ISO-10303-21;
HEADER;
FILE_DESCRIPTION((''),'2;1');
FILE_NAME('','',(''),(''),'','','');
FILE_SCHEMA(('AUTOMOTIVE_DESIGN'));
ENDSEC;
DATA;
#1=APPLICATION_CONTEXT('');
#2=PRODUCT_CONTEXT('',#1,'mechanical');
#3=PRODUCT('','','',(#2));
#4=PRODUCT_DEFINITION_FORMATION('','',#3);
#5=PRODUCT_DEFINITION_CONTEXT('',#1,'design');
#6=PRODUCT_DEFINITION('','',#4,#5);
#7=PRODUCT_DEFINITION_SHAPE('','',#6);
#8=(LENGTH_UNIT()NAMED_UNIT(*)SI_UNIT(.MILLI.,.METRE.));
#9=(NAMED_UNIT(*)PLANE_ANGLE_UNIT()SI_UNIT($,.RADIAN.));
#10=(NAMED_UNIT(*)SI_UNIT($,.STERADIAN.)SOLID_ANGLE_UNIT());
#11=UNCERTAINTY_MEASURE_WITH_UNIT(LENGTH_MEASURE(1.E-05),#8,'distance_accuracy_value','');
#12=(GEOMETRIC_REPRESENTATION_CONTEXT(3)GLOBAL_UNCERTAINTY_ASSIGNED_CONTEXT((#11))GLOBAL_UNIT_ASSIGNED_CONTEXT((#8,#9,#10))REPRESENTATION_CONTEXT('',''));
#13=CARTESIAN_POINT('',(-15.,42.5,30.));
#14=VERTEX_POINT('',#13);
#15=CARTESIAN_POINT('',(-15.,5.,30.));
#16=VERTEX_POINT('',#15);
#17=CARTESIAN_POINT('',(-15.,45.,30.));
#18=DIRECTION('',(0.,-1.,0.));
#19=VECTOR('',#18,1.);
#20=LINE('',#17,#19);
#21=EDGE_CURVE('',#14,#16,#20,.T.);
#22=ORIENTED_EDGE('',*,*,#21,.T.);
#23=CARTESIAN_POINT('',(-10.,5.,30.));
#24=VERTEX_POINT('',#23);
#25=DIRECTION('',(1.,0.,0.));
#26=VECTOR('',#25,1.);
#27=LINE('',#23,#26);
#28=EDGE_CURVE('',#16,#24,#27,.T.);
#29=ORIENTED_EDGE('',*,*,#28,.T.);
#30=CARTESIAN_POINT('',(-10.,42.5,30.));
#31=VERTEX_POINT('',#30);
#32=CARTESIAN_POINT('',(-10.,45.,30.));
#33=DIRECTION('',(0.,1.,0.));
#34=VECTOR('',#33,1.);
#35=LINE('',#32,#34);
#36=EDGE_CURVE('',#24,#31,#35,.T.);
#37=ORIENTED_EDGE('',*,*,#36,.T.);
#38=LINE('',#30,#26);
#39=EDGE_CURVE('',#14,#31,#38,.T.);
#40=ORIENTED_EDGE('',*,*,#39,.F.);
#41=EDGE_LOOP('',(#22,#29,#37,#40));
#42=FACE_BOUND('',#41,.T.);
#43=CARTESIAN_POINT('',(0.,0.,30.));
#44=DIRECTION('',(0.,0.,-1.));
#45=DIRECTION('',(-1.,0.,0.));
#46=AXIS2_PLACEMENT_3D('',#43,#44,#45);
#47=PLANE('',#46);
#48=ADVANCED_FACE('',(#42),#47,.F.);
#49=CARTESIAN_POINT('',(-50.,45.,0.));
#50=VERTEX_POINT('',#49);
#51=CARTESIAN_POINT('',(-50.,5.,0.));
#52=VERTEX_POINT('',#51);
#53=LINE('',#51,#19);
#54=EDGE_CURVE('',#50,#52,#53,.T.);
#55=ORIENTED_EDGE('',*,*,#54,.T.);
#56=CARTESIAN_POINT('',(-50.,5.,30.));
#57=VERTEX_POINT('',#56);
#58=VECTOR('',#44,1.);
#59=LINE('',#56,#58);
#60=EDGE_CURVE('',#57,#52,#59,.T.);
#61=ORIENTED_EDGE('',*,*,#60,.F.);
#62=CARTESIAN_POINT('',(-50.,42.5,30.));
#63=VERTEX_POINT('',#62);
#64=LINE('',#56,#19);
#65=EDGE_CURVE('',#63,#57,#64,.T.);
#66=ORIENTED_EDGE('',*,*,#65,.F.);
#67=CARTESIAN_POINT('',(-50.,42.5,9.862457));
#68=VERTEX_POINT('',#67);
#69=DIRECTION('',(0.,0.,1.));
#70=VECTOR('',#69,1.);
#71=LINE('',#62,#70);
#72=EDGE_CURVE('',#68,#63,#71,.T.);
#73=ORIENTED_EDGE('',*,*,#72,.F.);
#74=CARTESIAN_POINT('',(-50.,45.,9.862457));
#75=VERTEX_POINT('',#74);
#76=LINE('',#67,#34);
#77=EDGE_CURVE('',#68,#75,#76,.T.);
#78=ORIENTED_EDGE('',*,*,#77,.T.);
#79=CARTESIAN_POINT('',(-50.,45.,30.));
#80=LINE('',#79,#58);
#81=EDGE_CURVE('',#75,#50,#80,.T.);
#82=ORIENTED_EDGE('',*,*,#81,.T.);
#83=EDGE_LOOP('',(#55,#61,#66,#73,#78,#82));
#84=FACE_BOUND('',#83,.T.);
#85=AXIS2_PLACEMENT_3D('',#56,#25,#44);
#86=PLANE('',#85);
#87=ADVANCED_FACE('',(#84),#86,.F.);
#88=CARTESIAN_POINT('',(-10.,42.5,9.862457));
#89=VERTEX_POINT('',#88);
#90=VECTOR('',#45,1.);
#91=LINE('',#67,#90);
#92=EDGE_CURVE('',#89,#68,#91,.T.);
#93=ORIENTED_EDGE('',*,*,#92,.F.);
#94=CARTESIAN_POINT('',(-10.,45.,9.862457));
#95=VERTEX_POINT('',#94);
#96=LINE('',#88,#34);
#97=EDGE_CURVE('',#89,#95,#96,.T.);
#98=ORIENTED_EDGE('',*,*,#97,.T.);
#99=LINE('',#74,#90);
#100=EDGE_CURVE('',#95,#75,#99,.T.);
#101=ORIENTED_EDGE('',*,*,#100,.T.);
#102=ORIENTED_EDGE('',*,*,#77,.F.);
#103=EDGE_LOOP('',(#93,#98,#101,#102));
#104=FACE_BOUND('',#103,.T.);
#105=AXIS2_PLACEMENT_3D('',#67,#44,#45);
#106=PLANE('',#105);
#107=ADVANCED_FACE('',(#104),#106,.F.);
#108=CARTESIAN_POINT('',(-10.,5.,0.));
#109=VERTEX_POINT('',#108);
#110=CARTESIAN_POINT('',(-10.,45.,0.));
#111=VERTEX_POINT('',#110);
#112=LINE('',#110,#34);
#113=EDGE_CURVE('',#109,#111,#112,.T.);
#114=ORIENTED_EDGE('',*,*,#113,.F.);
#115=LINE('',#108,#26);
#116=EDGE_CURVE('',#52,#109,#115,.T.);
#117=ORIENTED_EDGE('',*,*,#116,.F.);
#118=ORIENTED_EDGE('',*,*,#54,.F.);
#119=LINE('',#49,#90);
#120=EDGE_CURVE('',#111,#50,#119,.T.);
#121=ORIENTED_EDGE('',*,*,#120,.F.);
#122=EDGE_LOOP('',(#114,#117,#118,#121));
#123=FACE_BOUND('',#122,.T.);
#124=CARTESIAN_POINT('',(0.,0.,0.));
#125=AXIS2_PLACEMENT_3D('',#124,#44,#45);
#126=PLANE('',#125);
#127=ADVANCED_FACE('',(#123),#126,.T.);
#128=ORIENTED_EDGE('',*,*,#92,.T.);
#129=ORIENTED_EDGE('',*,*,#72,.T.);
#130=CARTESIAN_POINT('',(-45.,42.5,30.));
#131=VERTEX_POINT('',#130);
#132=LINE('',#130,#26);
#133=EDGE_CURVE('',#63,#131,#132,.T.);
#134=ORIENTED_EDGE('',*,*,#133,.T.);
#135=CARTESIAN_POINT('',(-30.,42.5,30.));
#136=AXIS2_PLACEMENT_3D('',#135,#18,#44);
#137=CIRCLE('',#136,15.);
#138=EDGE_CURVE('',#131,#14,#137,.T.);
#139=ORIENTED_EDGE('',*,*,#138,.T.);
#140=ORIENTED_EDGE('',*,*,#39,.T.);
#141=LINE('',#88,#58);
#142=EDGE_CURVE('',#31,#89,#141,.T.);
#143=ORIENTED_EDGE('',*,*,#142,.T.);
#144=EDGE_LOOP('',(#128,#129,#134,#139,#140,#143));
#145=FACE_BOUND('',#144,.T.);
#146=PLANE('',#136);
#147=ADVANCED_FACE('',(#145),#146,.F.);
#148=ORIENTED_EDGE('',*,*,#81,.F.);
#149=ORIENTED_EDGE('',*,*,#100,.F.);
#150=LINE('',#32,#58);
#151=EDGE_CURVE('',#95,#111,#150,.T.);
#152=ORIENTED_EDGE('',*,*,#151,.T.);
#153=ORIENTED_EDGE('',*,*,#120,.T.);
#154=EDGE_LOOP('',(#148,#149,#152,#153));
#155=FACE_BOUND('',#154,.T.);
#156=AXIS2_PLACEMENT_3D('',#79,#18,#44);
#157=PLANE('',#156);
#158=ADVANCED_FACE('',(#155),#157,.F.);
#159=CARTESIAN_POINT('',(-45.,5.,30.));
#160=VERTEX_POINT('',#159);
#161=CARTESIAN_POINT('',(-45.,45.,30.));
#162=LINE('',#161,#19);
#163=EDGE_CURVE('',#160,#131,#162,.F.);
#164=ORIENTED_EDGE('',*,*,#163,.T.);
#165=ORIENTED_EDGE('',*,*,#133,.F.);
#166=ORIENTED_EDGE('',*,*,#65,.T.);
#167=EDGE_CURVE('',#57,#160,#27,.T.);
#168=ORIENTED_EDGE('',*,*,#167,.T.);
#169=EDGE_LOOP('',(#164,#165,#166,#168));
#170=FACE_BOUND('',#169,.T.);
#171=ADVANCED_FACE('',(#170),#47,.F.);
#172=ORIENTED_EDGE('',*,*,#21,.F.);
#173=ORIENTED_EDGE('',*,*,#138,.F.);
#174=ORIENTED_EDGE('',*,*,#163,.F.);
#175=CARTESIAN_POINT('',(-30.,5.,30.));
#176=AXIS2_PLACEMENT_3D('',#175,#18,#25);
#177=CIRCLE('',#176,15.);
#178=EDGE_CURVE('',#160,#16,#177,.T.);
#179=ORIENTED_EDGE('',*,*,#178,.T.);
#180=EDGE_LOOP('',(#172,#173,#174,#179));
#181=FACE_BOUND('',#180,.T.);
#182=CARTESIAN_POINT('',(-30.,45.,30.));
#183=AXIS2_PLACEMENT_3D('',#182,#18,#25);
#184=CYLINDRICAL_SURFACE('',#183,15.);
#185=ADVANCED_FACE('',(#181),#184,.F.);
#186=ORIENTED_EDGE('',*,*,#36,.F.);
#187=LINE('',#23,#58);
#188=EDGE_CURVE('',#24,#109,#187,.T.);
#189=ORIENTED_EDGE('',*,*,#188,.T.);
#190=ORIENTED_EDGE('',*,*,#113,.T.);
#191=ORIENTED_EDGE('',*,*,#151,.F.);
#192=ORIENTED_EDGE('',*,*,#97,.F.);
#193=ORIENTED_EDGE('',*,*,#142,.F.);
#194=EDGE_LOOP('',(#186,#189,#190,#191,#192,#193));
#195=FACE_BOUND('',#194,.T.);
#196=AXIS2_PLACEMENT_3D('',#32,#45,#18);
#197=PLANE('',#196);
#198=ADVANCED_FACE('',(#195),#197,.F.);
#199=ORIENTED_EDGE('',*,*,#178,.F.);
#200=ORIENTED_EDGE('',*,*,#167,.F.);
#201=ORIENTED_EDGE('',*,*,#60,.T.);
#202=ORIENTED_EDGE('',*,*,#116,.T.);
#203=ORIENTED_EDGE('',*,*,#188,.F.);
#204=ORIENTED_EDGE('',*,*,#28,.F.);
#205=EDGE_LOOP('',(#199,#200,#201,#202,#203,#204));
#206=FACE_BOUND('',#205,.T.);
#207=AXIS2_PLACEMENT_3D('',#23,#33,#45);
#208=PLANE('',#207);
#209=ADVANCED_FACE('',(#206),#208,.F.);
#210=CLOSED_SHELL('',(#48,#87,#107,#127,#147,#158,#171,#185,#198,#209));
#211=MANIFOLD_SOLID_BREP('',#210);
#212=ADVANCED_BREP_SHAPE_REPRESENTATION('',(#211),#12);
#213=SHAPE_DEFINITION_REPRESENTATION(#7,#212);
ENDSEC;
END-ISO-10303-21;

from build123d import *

# Parameters (mm, degrees)
SKETCH1_W           = 40
SKETCH1_H           = 40
BOSS_EXTRUDE1_DEPTH = 30
SKETCH2_R           = 15
CUT_EXTRUDE1_DEPTH  = 41
CUT_EXTRUDE2_DEPTH  = 2.5


with BuildPart() as part:
    # Sketch1 → Boss-Extrude1 (new body)
    with BuildSketch(Plane.XY):
        with Locations((-30, 25)):
            Rectangle(SKETCH1_W, SKETCH1_H)
    extrude(amount=BOSS_EXTRUDE1_DEPTH)

    # Sketch2 → Cut-Extrude1 (cut, through all)
    with BuildSketch(Plane.XZ.offset(-5)):
        with Locations((-30, 30)):
            Circle(SKETCH2_R)
    extrude(amount=-CUT_EXTRUDE1_DEPTH, mode=Mode.SUBTRACT)

    # Sketch3 → Cut-Extrude2 (cut)
    with BuildSketch(Plane(origin=(0, 45, 0), x_dir=(1, 0, 0), z_dir=(0, 1, 0))):
        with BuildLine():
            Line((-10, -30), (-15, -30))
            ThreePointArc((-15, -30), (-30, -15), (-45, -30))
            Line((-45, -30), (-50, -30))
            Line((-50, -30), (-50, -9.862457081))
            Line((-50, -9.862457081), (-10, -9.862457081))
            Line((-10, -9.862457081), (-10, -30))
        make_face()
    extrude(amount=-CUT_EXTRUDE2_DEPTH, mode=Mode.SUBTRACT)


solid = part.part
